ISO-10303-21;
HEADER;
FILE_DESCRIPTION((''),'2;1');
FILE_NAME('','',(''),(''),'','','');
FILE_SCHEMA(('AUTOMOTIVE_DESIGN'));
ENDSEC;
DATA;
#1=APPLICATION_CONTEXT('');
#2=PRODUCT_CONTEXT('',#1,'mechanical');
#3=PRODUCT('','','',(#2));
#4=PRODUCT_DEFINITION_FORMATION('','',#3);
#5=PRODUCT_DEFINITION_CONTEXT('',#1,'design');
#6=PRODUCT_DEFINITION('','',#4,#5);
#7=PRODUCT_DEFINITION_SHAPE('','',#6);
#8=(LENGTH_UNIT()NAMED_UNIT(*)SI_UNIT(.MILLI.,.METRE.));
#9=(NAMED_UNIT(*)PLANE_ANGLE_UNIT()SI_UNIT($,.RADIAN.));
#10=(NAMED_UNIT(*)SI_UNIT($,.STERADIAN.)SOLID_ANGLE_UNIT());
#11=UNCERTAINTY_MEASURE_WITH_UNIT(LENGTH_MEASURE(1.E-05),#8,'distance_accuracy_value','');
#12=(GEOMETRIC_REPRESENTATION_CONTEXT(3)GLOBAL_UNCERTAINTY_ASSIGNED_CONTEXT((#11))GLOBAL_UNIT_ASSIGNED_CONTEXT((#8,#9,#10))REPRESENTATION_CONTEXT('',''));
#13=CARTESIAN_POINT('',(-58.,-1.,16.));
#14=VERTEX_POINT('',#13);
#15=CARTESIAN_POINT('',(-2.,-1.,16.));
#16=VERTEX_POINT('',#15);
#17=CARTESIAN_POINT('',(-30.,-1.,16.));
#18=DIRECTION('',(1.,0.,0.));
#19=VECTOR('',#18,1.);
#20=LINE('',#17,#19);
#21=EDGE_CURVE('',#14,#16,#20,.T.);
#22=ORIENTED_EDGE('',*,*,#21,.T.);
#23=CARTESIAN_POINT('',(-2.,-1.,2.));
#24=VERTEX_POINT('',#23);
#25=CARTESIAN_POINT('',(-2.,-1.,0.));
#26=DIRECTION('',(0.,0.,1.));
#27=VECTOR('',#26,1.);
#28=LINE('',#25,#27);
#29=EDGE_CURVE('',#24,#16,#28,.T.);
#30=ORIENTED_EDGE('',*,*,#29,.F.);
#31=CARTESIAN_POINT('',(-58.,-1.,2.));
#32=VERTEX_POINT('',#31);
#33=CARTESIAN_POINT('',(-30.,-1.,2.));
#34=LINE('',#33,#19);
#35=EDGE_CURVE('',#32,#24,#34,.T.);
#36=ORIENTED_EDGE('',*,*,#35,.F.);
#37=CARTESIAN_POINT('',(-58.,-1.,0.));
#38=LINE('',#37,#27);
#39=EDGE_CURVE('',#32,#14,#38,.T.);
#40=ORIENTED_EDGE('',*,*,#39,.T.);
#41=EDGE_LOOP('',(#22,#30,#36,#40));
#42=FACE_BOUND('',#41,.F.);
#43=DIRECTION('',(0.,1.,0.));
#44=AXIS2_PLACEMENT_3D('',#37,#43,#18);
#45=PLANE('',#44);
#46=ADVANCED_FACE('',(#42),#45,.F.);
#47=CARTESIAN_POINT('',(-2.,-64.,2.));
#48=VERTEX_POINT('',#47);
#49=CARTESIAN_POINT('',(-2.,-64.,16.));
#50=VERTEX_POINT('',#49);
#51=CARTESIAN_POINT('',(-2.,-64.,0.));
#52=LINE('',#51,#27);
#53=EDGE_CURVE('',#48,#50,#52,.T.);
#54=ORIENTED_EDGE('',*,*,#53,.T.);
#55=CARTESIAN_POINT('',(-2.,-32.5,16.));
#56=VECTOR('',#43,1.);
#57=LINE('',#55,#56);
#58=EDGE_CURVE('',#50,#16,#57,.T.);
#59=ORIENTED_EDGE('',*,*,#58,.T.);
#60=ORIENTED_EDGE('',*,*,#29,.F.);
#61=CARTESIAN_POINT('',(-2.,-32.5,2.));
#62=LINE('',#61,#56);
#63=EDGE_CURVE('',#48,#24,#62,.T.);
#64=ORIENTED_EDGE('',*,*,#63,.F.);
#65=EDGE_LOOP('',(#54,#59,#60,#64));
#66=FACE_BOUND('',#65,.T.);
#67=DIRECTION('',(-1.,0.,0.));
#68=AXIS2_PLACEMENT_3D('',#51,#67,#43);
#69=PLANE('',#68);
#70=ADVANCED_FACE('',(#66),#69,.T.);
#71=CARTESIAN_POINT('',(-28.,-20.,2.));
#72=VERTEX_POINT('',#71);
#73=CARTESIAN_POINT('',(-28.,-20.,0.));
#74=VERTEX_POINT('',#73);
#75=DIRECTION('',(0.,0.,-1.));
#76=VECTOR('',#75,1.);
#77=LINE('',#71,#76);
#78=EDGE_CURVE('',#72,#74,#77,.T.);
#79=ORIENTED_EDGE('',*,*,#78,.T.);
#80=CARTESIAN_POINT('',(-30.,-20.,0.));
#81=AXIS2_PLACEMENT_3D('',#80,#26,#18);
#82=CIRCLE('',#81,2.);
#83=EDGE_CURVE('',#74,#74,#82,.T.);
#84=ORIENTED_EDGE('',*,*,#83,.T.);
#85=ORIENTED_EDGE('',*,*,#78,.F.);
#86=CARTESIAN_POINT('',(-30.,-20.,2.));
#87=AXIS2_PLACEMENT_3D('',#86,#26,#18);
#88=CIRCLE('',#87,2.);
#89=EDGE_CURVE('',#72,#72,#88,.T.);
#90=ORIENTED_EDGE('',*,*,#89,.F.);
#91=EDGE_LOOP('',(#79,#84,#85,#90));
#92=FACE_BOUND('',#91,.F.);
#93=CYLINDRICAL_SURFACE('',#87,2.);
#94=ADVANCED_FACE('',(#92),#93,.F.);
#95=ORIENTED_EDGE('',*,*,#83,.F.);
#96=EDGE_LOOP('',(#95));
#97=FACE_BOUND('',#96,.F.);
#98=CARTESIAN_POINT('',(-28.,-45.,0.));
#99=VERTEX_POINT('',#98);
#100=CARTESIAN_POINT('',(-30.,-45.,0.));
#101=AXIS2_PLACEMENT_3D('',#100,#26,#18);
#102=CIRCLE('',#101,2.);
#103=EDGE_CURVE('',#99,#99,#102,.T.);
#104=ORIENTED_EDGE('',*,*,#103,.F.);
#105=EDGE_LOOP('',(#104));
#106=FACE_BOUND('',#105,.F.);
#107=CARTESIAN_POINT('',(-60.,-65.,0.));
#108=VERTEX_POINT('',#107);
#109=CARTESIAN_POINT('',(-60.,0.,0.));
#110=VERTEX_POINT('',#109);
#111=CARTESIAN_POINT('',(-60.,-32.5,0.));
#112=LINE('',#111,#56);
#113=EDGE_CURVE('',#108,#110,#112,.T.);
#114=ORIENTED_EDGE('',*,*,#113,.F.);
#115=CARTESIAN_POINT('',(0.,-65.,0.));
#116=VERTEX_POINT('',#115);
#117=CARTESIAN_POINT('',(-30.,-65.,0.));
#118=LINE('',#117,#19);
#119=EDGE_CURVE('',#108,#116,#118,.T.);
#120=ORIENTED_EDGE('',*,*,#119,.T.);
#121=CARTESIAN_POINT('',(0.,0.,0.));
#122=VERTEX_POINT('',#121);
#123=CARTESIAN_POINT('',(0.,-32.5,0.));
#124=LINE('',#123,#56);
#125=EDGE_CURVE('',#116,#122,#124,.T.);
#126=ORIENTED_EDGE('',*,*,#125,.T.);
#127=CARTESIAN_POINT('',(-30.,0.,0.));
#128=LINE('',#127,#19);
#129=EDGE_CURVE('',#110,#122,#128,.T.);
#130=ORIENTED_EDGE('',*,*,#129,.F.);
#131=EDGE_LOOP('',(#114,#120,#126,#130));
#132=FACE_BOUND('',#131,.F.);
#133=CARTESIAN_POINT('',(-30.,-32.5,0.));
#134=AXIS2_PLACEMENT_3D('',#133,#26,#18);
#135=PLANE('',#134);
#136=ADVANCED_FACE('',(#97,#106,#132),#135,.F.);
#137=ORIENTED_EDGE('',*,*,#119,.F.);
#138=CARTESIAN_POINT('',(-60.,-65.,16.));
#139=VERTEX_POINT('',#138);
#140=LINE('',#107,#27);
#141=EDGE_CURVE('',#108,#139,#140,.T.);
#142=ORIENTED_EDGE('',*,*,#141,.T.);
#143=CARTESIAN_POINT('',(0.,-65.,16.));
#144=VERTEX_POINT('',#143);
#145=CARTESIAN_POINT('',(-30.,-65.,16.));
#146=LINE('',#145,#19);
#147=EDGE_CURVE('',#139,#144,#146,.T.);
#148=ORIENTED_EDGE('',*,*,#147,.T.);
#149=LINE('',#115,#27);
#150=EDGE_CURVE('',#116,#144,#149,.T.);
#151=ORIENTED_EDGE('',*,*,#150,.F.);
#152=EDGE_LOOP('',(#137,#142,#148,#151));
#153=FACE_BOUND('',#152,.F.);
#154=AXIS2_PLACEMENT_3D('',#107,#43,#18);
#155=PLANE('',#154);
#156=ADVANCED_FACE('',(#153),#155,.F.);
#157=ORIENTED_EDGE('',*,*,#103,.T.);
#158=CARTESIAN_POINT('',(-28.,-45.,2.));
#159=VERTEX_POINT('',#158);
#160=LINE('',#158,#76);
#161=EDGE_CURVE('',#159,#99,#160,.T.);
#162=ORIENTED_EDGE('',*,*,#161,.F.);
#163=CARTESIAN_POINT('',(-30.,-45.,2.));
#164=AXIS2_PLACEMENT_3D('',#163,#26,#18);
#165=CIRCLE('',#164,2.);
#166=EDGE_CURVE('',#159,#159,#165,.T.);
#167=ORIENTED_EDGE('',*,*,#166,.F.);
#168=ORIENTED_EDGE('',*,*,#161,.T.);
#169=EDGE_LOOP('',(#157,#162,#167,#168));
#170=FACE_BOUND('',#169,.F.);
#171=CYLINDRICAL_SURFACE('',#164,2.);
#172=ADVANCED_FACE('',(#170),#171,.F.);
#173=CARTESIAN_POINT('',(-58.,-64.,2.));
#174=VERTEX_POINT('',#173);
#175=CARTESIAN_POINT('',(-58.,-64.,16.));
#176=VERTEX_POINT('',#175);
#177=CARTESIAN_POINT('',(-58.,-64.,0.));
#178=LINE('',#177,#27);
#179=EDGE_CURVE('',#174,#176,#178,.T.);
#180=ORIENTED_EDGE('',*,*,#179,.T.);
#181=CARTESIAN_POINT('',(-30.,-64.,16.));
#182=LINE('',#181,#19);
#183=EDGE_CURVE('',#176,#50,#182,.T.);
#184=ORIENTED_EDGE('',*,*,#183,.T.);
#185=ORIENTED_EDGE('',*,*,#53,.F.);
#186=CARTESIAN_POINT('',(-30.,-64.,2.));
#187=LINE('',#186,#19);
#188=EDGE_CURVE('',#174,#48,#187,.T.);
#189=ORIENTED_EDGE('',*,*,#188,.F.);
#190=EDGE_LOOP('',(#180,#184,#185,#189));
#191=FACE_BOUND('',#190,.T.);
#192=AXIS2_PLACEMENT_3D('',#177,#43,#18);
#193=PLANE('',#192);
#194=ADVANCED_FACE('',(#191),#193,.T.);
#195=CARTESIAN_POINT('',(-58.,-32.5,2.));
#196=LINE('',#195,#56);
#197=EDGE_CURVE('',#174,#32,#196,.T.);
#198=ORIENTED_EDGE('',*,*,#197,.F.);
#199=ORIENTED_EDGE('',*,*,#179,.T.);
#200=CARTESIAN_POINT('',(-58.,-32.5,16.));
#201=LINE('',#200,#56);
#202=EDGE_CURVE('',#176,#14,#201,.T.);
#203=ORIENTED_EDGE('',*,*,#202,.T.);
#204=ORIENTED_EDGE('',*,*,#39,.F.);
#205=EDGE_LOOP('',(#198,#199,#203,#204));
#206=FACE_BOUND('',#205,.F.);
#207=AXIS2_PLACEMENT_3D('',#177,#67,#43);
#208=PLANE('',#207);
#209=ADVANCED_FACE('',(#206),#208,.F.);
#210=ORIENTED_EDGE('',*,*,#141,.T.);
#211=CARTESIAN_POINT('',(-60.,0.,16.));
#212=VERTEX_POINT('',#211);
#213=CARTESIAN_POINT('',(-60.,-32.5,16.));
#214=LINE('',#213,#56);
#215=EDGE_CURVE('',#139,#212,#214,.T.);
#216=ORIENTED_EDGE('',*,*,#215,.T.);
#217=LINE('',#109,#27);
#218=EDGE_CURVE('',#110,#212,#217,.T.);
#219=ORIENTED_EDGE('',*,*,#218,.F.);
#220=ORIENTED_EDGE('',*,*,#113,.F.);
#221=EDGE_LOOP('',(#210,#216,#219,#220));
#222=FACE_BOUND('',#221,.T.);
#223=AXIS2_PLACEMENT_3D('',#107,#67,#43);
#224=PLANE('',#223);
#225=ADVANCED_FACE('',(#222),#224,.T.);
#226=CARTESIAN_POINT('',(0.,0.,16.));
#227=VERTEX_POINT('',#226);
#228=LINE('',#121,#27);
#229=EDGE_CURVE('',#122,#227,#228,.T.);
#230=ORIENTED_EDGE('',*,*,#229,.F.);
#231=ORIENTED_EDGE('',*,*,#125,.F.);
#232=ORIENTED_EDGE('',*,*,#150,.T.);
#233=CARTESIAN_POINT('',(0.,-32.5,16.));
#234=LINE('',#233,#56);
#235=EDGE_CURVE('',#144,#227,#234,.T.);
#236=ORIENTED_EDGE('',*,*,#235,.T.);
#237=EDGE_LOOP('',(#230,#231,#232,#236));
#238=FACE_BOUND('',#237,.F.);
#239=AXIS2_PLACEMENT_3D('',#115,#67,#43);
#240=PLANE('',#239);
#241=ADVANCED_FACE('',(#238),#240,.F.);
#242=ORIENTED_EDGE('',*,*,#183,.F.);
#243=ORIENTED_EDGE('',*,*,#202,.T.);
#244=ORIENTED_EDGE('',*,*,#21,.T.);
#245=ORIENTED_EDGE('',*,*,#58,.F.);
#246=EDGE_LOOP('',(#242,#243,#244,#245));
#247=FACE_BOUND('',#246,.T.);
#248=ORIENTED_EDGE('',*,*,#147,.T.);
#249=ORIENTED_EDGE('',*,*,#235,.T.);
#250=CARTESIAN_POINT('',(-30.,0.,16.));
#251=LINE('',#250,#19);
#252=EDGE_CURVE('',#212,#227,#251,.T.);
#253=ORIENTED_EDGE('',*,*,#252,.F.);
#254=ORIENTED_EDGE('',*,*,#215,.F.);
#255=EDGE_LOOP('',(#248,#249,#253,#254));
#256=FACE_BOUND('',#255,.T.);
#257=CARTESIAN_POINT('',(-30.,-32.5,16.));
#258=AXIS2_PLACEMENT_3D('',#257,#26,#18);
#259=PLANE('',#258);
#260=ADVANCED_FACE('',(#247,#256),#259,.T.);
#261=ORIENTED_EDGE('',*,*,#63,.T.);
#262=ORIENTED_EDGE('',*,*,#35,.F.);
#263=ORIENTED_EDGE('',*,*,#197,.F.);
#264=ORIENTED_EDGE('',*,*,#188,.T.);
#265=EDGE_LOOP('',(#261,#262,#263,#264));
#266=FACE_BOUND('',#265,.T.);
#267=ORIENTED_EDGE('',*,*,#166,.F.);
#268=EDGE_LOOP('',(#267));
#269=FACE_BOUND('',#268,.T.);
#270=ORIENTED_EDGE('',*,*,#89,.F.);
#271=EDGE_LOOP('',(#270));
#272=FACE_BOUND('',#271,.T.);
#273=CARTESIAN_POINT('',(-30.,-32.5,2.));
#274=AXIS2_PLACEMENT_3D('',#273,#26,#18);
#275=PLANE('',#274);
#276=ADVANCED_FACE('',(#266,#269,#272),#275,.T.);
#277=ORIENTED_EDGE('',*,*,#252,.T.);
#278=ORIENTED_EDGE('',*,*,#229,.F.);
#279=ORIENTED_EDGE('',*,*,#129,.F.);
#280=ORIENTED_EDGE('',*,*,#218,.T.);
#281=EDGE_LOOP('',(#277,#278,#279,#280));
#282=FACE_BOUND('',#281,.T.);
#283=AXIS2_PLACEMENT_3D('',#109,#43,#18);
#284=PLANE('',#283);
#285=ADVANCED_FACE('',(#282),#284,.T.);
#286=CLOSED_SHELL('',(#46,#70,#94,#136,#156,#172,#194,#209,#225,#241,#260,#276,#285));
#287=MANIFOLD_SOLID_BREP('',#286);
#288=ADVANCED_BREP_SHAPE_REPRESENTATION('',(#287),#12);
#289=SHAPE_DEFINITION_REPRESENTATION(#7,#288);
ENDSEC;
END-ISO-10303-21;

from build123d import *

# Parameters (mm, degrees)
F0_W     = 56
F0_H     = 63
F1_DEPTH = 2
F0_W_2   = 60
F0_H_2   = 65
F2_DEPTH = 16
F3_R     = 2
F4_DEPTH = 25


with BuildPart() as f1:
    # F0 (on Top) → F1 (new body)
    with BuildSketch(Plane.XY):
        with Locations((-30, -32.5)):
            Rectangle(F0_W, F0_H)
    extrude(amount=F1_DEPTH)

    # F0 (on Top) → F2 (join)
    with BuildSketch(Plane.XY):
        with Locations((-30, -32.5)):
            Rectangle(F0_W_2, F0_H_2)
        with Locations((-30, -32.5)):
            Rectangle(F0_W, F0_H, mode=Mode.SUBTRACT)
    extrude(amount=F2_DEPTH)

    # F3 (on face) → F4 (cut)
    with BuildSketch(Plane.XY.offset(2)):
        with Locations((-30, -20)):
            Circle(F3_R)
        with Locations((-30, -45)):
            Circle(F3_R)
    extrude(amount=-F4_DEPTH, mode=Mode.SUBTRACT)


solid = f1.part
